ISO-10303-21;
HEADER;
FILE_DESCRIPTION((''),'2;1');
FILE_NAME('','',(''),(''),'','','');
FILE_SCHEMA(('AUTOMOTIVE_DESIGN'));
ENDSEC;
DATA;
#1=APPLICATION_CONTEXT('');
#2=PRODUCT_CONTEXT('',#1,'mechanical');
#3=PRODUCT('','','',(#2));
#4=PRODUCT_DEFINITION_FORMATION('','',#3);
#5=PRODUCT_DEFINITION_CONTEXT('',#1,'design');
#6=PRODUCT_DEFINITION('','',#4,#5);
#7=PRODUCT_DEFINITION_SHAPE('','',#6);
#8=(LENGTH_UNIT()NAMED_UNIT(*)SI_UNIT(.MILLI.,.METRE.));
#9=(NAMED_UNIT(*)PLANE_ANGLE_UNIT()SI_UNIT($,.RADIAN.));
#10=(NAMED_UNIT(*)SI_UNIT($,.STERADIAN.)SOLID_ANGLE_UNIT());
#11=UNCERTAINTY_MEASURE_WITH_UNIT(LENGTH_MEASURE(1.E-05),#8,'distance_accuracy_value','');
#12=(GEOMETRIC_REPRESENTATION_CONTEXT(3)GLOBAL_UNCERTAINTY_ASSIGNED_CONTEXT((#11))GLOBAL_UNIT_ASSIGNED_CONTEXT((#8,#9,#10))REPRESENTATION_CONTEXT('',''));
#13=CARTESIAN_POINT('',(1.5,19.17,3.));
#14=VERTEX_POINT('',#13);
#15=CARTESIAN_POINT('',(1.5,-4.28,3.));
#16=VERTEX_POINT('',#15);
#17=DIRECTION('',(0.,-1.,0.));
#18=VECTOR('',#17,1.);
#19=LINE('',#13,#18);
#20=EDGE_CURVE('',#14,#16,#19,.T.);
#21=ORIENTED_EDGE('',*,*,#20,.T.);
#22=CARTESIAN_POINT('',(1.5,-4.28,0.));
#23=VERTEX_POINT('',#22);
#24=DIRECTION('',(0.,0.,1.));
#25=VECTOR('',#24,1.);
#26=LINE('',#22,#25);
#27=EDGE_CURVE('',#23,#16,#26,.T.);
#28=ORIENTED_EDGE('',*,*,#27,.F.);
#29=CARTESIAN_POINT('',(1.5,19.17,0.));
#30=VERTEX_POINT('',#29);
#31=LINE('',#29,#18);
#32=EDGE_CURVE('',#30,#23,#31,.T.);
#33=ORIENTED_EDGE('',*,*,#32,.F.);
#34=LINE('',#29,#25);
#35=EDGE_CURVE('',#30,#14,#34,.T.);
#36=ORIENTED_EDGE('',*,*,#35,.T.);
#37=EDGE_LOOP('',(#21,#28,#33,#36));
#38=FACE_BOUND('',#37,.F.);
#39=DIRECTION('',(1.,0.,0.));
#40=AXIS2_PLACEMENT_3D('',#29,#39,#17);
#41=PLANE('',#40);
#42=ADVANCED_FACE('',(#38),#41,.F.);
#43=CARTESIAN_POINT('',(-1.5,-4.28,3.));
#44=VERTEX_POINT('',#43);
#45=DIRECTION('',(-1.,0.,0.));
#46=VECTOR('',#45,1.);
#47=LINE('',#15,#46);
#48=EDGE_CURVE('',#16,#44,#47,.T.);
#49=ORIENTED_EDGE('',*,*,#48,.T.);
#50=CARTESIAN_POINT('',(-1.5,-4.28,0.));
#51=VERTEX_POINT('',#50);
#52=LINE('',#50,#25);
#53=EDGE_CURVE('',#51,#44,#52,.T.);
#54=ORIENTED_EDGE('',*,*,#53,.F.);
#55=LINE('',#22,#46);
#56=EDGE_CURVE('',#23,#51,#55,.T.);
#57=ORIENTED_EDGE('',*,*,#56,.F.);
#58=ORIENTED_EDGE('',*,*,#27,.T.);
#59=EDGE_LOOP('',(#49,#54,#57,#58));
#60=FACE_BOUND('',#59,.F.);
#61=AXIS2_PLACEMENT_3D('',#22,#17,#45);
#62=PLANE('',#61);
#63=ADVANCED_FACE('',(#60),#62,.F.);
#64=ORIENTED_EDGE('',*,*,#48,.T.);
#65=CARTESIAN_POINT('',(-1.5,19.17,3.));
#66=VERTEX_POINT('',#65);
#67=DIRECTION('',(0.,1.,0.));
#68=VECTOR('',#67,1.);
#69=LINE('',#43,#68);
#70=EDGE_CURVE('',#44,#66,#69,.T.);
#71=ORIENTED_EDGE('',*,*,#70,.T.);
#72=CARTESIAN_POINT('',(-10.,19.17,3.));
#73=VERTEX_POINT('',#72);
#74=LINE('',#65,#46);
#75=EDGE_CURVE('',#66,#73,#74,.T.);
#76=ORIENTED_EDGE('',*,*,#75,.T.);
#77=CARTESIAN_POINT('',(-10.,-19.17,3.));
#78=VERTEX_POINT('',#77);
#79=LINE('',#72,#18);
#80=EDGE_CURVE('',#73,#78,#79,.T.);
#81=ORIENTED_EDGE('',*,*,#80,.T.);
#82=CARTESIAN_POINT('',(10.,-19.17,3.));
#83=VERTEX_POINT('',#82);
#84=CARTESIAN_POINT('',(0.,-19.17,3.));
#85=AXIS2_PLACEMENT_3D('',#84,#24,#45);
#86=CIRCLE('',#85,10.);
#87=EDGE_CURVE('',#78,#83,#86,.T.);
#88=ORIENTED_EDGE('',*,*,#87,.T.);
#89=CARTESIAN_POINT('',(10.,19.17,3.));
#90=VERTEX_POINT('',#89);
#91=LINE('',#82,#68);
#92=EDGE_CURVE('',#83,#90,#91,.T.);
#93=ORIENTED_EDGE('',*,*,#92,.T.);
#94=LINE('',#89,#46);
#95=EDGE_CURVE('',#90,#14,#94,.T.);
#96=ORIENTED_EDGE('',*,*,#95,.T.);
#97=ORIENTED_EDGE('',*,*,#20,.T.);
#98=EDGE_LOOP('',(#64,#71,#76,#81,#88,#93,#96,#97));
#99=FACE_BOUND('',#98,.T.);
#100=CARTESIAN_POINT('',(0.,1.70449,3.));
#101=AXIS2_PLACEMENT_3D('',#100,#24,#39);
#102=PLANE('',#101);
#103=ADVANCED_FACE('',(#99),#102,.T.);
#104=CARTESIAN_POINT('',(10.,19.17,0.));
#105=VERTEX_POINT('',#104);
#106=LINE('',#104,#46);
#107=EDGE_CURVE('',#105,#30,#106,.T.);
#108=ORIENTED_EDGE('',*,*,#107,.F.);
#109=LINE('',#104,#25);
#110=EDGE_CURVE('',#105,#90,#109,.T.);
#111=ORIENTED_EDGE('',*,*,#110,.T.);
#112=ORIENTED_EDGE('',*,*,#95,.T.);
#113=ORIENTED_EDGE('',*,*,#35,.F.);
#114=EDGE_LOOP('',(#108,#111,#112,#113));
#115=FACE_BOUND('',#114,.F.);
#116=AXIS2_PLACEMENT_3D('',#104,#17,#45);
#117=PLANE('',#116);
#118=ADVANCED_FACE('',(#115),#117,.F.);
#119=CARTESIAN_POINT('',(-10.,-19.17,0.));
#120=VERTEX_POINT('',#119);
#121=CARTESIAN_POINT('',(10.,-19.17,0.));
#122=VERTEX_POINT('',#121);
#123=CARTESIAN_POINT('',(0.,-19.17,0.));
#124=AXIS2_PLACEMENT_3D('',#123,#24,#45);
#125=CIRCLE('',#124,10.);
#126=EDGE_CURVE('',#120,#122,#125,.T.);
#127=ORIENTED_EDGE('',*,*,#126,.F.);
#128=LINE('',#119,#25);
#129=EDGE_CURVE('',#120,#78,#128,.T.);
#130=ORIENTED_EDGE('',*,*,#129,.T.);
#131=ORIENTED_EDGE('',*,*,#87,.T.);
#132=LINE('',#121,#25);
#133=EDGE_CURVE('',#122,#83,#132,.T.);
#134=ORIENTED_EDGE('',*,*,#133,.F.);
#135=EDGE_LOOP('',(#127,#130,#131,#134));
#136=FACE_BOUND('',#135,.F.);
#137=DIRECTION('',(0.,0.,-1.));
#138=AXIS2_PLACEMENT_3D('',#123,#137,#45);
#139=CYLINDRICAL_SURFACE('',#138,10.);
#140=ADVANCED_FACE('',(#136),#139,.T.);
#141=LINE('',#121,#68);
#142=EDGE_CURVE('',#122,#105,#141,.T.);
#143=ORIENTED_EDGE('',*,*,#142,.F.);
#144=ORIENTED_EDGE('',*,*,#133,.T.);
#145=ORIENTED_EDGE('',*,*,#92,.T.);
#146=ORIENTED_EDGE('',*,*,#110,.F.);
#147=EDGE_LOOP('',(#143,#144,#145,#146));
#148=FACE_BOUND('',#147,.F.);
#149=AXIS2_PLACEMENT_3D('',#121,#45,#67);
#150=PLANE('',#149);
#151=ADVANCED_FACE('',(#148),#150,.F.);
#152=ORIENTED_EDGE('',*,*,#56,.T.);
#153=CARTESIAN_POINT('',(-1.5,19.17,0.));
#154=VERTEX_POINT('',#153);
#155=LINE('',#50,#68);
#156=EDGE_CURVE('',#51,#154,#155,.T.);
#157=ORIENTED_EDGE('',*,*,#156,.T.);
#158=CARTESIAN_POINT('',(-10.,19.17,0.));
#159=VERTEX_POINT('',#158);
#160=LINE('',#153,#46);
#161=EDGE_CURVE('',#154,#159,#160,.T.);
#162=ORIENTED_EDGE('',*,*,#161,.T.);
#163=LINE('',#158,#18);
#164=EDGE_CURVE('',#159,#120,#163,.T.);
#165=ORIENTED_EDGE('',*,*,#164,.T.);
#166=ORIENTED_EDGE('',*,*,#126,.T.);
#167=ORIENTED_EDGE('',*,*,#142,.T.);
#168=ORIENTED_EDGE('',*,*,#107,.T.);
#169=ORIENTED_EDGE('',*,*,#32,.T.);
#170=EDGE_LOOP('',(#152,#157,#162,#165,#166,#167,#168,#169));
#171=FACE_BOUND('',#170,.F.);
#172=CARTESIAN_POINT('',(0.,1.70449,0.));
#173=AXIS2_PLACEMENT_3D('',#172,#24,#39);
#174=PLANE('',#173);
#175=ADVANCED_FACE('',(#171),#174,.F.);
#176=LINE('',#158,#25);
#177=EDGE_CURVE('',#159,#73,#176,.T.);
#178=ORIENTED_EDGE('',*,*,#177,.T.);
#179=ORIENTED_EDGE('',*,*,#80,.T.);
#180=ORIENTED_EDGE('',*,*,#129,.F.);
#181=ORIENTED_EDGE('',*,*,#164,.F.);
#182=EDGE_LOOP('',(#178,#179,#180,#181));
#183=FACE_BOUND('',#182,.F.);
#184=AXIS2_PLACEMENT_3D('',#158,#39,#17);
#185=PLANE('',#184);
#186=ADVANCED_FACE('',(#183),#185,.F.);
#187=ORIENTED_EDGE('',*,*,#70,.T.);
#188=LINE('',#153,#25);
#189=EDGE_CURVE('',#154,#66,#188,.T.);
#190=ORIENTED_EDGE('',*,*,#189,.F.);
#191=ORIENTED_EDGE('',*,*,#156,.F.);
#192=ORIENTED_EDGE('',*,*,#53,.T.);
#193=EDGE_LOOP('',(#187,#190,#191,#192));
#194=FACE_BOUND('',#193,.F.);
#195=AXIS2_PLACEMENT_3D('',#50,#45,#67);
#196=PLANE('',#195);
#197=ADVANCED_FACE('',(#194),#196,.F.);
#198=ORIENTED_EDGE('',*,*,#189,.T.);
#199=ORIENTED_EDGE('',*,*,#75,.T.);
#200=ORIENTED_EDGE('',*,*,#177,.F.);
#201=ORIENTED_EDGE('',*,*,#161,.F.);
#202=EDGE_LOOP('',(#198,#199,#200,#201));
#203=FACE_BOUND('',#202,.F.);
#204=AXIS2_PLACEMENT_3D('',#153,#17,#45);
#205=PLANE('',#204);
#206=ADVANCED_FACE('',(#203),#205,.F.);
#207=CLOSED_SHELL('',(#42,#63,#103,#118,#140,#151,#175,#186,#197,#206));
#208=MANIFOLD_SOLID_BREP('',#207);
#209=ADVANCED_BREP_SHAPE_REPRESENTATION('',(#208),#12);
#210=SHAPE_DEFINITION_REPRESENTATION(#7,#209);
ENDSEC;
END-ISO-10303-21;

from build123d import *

# Parameters (mm, degrees)
F1_DEPTH = 3


with BuildPart() as f1:
    # F0 (on Top) → F1 (new body)
    with BuildSketch(Plane.XY):
        Polygon((-1.5, 19.17), (-10, 19.17), (-10, -19.17), (10, -19.17), (10, 19.17), (1.5, 19.17), (1.5, -4.28), (-1.5, -4.28), align=None)
        with BuildLine():
            Line((10, -19.17), (-10, -19.17))
            ThreePointArc((-10, -19.17), (0, -29.17), (10, -19.17))
        make_face()
    extrude(amount=F1_DEPTH)


solid = f1.part
